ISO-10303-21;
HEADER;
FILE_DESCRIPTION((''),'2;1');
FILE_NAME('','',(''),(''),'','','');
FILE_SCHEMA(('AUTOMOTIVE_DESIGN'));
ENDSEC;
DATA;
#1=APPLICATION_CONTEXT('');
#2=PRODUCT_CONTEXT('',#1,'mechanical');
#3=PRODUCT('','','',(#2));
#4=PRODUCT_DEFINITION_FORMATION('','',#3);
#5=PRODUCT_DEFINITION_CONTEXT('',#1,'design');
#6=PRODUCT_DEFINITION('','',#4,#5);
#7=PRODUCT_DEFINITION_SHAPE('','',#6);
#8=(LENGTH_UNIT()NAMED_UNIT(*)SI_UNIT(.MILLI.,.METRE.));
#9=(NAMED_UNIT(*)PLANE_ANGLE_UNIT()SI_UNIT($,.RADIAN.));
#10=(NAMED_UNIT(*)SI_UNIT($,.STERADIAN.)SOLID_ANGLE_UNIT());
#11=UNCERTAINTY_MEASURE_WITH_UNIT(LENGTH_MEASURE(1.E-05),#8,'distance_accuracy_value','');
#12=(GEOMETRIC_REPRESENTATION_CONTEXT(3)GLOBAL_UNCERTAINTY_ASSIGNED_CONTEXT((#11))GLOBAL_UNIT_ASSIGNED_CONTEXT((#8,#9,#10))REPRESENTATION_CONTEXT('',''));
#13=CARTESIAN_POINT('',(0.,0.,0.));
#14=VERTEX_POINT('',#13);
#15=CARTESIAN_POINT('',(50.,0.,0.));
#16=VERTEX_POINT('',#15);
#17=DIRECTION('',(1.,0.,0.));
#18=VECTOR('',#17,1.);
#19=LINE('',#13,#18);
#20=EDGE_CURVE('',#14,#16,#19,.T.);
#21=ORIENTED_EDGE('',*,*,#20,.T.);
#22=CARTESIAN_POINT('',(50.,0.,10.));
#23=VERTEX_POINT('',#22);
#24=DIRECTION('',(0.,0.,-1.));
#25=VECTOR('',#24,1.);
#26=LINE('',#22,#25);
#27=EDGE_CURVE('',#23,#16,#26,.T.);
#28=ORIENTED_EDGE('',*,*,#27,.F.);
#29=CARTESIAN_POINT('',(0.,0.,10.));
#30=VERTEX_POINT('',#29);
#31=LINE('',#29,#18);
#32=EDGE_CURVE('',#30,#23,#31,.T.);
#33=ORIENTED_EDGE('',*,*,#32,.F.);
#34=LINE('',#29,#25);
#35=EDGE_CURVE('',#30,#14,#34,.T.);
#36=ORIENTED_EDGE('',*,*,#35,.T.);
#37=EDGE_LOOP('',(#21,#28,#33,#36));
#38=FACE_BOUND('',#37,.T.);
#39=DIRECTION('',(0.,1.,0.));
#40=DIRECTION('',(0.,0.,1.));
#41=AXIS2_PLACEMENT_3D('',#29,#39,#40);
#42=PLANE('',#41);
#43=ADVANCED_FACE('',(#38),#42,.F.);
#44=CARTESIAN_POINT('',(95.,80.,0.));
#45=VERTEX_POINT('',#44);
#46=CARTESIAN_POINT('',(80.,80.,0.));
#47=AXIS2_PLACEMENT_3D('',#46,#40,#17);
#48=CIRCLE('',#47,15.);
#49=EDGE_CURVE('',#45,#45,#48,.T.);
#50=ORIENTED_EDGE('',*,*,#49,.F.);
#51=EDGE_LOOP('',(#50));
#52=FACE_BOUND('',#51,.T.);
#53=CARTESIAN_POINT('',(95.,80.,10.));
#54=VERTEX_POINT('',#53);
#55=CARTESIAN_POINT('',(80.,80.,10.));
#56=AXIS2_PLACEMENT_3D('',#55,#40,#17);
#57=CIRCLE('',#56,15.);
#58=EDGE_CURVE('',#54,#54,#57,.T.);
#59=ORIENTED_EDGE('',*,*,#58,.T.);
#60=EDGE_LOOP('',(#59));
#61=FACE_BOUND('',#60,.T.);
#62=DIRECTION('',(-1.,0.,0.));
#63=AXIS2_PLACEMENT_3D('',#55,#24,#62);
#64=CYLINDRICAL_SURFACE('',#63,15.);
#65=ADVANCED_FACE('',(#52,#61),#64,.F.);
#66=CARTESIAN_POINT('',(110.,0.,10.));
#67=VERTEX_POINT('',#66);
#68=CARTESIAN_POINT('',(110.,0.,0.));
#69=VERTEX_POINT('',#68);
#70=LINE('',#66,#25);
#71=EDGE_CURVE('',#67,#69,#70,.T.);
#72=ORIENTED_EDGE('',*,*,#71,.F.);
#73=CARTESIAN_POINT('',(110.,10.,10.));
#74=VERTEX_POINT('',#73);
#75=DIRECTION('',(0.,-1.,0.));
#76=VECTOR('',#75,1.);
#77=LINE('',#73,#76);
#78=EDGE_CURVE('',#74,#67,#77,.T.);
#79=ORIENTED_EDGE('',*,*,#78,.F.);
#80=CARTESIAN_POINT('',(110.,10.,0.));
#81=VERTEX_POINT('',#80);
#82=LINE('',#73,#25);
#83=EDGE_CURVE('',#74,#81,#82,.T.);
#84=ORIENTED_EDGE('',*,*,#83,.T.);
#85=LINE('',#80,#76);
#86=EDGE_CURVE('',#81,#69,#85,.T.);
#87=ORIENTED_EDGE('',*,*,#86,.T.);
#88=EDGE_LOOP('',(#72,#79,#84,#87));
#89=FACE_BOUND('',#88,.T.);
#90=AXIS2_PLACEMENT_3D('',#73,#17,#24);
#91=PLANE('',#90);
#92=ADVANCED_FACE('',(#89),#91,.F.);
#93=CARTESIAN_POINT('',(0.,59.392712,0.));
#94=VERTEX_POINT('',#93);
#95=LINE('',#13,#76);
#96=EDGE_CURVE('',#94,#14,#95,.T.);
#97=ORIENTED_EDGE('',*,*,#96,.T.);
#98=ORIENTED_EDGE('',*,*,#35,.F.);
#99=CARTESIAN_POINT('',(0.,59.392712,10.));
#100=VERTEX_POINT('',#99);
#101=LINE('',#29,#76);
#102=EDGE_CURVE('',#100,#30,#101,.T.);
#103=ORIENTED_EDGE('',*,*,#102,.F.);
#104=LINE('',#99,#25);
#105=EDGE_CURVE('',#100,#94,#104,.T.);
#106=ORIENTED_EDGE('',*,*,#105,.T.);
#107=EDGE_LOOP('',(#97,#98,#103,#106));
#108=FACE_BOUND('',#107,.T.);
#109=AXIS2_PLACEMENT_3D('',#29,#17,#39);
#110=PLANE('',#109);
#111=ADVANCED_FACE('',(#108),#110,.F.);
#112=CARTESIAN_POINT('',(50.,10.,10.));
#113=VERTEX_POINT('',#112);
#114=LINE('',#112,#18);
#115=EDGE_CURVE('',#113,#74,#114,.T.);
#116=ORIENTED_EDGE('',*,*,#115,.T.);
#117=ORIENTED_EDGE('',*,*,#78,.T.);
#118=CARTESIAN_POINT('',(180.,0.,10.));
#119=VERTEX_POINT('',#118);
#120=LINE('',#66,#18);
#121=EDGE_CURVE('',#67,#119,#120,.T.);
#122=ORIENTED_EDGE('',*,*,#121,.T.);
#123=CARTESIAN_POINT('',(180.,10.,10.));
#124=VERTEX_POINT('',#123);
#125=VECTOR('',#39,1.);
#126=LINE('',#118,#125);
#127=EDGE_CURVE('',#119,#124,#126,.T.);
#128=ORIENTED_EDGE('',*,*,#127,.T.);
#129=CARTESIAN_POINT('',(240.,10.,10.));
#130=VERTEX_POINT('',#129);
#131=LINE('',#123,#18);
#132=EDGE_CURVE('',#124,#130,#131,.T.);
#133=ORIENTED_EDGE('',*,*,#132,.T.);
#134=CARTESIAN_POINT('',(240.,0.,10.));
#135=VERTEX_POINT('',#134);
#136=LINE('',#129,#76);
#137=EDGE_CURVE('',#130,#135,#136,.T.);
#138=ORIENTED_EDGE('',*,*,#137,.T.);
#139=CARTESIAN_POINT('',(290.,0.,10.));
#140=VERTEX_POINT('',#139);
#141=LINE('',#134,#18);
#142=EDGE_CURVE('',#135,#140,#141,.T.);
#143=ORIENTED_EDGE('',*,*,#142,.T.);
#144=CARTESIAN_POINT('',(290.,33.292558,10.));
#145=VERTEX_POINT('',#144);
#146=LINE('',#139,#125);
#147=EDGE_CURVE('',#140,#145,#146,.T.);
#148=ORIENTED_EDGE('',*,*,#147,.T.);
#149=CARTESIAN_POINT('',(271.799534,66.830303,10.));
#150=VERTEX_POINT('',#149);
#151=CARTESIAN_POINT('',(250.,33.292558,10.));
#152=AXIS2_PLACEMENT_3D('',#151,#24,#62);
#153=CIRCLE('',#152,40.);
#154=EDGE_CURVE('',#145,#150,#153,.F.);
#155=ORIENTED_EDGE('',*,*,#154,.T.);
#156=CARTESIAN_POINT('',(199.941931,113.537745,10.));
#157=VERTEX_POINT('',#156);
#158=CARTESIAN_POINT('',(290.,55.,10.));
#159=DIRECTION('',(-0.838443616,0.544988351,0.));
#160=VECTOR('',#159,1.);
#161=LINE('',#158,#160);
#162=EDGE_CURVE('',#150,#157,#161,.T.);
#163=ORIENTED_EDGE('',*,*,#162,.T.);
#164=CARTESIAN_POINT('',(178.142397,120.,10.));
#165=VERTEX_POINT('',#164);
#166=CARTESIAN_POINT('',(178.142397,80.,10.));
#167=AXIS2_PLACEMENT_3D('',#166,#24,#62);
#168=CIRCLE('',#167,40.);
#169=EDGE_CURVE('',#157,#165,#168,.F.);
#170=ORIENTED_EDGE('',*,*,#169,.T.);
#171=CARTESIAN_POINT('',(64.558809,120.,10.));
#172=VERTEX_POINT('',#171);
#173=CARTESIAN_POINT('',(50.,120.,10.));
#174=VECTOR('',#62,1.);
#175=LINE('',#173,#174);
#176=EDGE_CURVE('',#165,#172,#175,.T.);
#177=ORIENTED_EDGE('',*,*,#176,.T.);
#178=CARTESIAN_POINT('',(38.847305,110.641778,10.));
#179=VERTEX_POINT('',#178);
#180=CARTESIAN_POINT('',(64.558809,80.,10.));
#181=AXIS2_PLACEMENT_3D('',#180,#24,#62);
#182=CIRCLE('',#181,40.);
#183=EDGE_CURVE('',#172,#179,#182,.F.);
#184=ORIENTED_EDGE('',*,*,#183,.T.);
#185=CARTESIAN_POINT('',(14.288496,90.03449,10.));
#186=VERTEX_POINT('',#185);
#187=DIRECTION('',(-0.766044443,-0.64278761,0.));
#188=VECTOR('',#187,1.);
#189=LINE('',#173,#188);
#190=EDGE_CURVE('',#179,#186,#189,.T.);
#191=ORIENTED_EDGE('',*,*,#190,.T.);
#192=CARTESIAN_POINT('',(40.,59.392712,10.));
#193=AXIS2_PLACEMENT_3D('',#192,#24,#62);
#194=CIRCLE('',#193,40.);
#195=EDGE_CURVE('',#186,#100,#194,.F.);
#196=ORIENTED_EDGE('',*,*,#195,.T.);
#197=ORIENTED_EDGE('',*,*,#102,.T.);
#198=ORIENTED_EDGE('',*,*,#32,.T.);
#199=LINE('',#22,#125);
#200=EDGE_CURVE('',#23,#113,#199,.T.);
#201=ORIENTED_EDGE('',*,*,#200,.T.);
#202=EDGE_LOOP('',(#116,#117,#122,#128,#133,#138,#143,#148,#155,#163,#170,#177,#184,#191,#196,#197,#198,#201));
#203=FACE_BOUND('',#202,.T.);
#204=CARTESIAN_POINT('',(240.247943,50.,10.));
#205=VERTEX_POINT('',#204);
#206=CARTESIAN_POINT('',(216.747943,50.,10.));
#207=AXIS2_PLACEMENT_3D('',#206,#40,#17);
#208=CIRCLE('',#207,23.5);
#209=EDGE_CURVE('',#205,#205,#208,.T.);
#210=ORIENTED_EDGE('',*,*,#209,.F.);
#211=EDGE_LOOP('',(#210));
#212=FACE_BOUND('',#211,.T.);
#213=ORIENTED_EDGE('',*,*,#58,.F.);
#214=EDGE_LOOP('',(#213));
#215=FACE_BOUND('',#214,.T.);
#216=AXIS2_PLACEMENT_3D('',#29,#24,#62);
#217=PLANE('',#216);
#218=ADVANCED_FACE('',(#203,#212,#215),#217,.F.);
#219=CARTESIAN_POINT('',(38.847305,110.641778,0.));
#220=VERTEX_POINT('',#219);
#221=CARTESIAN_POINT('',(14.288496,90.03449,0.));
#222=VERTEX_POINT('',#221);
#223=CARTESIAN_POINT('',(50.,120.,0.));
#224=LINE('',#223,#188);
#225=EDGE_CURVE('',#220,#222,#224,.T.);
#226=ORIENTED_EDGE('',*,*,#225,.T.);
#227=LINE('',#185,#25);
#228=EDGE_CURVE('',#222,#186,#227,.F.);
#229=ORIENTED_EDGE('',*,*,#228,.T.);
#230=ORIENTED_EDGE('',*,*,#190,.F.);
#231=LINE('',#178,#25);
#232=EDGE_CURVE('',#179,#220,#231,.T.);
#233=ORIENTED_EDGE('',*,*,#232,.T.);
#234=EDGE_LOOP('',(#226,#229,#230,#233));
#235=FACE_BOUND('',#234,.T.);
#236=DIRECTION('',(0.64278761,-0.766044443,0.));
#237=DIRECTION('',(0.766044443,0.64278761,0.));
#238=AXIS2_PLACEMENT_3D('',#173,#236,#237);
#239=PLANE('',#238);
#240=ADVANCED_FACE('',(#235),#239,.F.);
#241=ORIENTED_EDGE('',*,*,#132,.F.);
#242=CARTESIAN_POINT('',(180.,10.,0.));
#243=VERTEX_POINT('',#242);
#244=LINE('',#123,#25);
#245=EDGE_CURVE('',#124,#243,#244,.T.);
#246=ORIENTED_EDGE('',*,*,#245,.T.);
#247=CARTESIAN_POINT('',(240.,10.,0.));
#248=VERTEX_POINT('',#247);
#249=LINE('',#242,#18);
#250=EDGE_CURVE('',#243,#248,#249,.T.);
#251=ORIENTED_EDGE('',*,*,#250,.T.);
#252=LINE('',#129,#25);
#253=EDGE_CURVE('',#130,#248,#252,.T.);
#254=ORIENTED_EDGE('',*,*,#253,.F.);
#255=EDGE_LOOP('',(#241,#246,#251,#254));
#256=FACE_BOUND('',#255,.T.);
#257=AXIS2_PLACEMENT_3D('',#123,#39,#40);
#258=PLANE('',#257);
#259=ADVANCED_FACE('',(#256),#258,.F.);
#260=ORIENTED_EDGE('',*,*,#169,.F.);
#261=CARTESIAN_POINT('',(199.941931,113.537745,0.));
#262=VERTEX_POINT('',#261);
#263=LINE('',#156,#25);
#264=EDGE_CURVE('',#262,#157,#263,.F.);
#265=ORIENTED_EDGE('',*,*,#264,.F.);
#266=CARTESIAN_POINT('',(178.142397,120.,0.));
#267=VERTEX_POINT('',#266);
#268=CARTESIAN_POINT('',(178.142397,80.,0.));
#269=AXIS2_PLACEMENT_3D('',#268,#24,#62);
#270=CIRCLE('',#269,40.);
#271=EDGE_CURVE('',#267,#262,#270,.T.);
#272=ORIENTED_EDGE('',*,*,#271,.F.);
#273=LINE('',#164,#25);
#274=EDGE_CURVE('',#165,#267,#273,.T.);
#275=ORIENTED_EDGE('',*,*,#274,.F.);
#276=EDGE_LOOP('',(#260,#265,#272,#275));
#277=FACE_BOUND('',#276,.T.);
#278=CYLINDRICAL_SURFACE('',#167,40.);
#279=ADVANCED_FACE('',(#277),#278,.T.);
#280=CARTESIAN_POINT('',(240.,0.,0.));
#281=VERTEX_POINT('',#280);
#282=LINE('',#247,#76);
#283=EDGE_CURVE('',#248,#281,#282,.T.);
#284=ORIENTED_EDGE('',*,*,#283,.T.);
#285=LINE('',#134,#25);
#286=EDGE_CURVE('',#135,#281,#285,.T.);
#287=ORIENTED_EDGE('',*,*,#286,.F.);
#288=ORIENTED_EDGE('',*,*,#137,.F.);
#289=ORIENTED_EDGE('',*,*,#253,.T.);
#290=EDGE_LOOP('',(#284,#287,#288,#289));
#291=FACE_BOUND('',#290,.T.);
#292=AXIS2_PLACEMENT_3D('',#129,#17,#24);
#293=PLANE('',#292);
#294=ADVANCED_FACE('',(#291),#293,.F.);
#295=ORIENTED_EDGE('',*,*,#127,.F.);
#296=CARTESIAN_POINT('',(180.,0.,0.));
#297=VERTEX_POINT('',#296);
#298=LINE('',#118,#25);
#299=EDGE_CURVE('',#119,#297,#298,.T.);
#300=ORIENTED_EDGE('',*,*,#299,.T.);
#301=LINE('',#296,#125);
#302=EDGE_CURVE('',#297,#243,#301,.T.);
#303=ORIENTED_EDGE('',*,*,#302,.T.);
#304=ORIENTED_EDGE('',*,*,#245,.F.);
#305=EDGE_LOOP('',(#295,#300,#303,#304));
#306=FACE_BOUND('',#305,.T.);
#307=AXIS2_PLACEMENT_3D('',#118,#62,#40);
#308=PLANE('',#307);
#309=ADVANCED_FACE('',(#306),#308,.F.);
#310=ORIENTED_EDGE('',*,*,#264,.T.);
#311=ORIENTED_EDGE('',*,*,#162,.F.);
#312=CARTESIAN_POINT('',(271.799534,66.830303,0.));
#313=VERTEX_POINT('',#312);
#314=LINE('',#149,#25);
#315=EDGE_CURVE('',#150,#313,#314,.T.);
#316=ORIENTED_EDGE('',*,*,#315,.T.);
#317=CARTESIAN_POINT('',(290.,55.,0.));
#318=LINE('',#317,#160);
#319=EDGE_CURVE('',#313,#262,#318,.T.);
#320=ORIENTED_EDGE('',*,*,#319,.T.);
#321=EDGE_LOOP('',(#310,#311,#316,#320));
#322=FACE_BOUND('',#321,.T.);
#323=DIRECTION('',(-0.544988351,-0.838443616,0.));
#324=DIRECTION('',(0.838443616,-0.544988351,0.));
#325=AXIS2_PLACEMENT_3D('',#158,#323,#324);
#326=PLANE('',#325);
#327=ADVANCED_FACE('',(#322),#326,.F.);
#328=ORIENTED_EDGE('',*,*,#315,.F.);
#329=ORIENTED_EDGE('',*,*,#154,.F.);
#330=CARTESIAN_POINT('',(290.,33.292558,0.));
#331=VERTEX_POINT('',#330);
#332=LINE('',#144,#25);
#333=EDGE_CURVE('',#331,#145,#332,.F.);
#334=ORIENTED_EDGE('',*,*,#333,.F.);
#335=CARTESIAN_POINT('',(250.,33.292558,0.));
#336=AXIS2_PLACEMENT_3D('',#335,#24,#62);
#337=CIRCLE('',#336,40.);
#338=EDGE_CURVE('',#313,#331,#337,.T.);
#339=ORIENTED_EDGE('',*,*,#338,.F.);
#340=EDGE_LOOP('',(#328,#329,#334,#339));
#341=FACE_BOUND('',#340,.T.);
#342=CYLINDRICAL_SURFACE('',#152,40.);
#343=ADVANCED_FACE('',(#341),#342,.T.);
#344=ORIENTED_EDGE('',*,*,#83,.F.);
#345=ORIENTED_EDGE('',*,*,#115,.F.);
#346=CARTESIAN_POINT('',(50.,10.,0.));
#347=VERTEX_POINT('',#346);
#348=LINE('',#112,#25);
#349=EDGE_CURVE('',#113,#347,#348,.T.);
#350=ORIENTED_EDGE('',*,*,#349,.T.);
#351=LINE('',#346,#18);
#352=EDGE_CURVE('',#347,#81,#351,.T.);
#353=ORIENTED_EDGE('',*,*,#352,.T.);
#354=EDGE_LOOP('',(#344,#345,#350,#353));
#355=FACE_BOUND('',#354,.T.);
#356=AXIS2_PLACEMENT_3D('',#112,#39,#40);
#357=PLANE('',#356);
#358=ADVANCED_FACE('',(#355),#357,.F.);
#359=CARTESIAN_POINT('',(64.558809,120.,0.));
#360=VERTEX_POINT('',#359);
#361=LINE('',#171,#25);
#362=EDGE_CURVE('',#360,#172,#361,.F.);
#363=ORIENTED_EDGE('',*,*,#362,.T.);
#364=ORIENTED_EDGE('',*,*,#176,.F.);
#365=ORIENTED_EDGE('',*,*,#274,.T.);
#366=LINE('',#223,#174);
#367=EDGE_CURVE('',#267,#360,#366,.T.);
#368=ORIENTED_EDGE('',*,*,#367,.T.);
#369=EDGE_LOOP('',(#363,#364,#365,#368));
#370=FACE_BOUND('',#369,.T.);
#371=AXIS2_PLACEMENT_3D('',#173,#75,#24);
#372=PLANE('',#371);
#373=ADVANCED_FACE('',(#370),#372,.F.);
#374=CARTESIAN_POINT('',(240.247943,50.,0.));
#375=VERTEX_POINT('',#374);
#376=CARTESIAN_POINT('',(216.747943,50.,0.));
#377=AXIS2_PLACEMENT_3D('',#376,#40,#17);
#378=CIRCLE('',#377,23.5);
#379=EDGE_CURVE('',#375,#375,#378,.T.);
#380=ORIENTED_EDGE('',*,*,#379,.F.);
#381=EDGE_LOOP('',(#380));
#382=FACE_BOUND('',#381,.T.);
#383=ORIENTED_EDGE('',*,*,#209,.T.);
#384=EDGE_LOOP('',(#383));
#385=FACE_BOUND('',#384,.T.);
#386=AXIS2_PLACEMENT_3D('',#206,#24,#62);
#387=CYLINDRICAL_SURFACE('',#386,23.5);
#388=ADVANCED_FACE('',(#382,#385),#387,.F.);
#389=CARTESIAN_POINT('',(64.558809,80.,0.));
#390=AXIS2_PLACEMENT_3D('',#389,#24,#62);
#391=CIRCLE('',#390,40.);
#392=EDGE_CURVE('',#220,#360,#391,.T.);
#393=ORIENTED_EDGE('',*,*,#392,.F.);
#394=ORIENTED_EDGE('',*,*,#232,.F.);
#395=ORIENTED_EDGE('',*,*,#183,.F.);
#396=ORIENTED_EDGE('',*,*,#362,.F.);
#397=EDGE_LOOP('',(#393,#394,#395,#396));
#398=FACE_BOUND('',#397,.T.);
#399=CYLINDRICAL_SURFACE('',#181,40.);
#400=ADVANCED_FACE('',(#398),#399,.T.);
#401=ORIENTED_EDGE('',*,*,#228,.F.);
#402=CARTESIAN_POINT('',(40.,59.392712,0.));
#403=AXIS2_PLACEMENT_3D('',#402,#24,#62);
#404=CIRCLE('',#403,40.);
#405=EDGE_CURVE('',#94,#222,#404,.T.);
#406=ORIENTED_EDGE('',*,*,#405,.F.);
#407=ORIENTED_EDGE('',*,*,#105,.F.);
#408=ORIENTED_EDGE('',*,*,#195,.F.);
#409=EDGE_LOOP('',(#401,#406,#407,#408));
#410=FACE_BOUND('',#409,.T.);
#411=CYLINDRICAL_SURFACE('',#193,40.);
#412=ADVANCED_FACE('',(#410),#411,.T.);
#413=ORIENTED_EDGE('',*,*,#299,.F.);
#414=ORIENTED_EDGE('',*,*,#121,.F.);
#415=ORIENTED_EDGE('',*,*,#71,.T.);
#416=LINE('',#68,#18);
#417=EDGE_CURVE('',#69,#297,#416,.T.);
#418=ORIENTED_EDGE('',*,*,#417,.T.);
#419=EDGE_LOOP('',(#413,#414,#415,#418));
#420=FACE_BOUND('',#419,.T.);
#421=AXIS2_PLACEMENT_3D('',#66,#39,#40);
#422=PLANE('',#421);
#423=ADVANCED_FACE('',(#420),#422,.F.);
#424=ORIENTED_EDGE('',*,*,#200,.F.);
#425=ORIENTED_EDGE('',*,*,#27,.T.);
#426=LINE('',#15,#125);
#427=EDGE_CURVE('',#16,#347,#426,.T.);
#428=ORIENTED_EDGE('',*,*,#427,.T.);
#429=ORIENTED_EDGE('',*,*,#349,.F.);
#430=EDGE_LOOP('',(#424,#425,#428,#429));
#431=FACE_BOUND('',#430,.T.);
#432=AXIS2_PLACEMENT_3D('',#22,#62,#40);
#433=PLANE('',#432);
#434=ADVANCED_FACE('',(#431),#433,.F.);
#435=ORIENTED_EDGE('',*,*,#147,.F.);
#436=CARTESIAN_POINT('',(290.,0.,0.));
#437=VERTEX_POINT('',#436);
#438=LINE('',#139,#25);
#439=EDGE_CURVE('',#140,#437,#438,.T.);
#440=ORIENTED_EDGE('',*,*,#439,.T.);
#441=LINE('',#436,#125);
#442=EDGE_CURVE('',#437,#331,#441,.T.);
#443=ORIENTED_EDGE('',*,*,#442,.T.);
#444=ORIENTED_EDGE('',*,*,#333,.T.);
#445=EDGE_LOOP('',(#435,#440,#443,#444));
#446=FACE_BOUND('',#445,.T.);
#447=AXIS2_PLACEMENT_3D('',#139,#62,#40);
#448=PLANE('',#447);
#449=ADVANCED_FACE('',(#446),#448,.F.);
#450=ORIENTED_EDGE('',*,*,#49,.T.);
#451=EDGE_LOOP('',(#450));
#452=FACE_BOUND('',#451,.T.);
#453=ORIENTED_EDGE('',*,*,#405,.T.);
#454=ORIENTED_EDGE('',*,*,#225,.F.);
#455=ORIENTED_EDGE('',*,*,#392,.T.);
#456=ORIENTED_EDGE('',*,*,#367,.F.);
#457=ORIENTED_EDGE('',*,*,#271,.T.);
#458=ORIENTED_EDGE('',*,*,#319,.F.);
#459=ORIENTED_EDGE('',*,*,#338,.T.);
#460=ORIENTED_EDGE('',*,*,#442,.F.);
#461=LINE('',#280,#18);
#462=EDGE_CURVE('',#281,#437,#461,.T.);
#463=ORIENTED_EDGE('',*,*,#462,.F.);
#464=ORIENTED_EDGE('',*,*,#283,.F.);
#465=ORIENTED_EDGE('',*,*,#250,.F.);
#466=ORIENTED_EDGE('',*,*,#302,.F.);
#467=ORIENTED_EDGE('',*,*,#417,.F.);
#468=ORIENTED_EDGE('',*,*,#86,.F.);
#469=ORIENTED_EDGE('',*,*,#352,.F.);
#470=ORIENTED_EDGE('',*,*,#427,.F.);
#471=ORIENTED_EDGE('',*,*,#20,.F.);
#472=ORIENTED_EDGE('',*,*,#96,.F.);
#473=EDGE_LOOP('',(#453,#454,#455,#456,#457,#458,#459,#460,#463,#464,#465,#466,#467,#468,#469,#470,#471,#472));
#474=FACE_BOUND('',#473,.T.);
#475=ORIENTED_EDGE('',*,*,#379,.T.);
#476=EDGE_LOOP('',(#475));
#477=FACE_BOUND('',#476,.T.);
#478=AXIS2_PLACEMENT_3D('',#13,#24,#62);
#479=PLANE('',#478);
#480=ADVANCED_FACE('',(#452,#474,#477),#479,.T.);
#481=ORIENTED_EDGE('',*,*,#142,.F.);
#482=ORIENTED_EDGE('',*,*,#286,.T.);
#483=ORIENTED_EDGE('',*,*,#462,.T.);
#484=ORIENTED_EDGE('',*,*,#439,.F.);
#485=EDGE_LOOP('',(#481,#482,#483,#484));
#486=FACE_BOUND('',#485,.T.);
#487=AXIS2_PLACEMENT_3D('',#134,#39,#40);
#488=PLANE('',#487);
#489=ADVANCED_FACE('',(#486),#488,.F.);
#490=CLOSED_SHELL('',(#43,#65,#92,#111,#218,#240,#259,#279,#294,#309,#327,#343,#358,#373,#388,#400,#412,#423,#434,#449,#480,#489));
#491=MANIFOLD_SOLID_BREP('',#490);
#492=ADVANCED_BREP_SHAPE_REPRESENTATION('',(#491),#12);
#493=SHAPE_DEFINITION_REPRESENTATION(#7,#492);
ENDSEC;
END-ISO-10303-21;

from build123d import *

# Parameters (mm, degrees)
ESQUISSE1_R        = 15
ESQUISSE1_R_2      = 23.5
BOSS_EXTRU_1_DEPTH = 10
CONG_1_R           = 40


with BuildPart() as part:
    # Esquisse1 → Boss.-Extru.1 (new body)
    with BuildSketch(Plane.XY):
        Polygon((290, 0), (290, 55), (190, 120), (50, 120), (0, 78.045018441), (0, 0), (50, 0), (50, 10), (110, 10), (110, 0), (180, 0), (180, 10), (240, 10), (240, 0), align=None)
        with Locations((80, 80)):
            Circle(ESQUISSE1_R, mode=Mode.SUBTRACT)
        with Locations((216.747943312, 50)):
            Circle(ESQUISSE1_R_2, mode=Mode.SUBTRACT)
    extrude(amount=BOSS_EXTRU_1_DEPTH)

    # Congé1
    cong_1_edges = [part.edges().sort_by_distance(p)[0] for p in [
        (0, 78.045018441, 5),
        (50, 120, 5),
        (190, 120, 5),
        (290, 55, 5),
    ]]
    fillet(cong_1_edges, radius=CONG_1_R)


solid = part.part
